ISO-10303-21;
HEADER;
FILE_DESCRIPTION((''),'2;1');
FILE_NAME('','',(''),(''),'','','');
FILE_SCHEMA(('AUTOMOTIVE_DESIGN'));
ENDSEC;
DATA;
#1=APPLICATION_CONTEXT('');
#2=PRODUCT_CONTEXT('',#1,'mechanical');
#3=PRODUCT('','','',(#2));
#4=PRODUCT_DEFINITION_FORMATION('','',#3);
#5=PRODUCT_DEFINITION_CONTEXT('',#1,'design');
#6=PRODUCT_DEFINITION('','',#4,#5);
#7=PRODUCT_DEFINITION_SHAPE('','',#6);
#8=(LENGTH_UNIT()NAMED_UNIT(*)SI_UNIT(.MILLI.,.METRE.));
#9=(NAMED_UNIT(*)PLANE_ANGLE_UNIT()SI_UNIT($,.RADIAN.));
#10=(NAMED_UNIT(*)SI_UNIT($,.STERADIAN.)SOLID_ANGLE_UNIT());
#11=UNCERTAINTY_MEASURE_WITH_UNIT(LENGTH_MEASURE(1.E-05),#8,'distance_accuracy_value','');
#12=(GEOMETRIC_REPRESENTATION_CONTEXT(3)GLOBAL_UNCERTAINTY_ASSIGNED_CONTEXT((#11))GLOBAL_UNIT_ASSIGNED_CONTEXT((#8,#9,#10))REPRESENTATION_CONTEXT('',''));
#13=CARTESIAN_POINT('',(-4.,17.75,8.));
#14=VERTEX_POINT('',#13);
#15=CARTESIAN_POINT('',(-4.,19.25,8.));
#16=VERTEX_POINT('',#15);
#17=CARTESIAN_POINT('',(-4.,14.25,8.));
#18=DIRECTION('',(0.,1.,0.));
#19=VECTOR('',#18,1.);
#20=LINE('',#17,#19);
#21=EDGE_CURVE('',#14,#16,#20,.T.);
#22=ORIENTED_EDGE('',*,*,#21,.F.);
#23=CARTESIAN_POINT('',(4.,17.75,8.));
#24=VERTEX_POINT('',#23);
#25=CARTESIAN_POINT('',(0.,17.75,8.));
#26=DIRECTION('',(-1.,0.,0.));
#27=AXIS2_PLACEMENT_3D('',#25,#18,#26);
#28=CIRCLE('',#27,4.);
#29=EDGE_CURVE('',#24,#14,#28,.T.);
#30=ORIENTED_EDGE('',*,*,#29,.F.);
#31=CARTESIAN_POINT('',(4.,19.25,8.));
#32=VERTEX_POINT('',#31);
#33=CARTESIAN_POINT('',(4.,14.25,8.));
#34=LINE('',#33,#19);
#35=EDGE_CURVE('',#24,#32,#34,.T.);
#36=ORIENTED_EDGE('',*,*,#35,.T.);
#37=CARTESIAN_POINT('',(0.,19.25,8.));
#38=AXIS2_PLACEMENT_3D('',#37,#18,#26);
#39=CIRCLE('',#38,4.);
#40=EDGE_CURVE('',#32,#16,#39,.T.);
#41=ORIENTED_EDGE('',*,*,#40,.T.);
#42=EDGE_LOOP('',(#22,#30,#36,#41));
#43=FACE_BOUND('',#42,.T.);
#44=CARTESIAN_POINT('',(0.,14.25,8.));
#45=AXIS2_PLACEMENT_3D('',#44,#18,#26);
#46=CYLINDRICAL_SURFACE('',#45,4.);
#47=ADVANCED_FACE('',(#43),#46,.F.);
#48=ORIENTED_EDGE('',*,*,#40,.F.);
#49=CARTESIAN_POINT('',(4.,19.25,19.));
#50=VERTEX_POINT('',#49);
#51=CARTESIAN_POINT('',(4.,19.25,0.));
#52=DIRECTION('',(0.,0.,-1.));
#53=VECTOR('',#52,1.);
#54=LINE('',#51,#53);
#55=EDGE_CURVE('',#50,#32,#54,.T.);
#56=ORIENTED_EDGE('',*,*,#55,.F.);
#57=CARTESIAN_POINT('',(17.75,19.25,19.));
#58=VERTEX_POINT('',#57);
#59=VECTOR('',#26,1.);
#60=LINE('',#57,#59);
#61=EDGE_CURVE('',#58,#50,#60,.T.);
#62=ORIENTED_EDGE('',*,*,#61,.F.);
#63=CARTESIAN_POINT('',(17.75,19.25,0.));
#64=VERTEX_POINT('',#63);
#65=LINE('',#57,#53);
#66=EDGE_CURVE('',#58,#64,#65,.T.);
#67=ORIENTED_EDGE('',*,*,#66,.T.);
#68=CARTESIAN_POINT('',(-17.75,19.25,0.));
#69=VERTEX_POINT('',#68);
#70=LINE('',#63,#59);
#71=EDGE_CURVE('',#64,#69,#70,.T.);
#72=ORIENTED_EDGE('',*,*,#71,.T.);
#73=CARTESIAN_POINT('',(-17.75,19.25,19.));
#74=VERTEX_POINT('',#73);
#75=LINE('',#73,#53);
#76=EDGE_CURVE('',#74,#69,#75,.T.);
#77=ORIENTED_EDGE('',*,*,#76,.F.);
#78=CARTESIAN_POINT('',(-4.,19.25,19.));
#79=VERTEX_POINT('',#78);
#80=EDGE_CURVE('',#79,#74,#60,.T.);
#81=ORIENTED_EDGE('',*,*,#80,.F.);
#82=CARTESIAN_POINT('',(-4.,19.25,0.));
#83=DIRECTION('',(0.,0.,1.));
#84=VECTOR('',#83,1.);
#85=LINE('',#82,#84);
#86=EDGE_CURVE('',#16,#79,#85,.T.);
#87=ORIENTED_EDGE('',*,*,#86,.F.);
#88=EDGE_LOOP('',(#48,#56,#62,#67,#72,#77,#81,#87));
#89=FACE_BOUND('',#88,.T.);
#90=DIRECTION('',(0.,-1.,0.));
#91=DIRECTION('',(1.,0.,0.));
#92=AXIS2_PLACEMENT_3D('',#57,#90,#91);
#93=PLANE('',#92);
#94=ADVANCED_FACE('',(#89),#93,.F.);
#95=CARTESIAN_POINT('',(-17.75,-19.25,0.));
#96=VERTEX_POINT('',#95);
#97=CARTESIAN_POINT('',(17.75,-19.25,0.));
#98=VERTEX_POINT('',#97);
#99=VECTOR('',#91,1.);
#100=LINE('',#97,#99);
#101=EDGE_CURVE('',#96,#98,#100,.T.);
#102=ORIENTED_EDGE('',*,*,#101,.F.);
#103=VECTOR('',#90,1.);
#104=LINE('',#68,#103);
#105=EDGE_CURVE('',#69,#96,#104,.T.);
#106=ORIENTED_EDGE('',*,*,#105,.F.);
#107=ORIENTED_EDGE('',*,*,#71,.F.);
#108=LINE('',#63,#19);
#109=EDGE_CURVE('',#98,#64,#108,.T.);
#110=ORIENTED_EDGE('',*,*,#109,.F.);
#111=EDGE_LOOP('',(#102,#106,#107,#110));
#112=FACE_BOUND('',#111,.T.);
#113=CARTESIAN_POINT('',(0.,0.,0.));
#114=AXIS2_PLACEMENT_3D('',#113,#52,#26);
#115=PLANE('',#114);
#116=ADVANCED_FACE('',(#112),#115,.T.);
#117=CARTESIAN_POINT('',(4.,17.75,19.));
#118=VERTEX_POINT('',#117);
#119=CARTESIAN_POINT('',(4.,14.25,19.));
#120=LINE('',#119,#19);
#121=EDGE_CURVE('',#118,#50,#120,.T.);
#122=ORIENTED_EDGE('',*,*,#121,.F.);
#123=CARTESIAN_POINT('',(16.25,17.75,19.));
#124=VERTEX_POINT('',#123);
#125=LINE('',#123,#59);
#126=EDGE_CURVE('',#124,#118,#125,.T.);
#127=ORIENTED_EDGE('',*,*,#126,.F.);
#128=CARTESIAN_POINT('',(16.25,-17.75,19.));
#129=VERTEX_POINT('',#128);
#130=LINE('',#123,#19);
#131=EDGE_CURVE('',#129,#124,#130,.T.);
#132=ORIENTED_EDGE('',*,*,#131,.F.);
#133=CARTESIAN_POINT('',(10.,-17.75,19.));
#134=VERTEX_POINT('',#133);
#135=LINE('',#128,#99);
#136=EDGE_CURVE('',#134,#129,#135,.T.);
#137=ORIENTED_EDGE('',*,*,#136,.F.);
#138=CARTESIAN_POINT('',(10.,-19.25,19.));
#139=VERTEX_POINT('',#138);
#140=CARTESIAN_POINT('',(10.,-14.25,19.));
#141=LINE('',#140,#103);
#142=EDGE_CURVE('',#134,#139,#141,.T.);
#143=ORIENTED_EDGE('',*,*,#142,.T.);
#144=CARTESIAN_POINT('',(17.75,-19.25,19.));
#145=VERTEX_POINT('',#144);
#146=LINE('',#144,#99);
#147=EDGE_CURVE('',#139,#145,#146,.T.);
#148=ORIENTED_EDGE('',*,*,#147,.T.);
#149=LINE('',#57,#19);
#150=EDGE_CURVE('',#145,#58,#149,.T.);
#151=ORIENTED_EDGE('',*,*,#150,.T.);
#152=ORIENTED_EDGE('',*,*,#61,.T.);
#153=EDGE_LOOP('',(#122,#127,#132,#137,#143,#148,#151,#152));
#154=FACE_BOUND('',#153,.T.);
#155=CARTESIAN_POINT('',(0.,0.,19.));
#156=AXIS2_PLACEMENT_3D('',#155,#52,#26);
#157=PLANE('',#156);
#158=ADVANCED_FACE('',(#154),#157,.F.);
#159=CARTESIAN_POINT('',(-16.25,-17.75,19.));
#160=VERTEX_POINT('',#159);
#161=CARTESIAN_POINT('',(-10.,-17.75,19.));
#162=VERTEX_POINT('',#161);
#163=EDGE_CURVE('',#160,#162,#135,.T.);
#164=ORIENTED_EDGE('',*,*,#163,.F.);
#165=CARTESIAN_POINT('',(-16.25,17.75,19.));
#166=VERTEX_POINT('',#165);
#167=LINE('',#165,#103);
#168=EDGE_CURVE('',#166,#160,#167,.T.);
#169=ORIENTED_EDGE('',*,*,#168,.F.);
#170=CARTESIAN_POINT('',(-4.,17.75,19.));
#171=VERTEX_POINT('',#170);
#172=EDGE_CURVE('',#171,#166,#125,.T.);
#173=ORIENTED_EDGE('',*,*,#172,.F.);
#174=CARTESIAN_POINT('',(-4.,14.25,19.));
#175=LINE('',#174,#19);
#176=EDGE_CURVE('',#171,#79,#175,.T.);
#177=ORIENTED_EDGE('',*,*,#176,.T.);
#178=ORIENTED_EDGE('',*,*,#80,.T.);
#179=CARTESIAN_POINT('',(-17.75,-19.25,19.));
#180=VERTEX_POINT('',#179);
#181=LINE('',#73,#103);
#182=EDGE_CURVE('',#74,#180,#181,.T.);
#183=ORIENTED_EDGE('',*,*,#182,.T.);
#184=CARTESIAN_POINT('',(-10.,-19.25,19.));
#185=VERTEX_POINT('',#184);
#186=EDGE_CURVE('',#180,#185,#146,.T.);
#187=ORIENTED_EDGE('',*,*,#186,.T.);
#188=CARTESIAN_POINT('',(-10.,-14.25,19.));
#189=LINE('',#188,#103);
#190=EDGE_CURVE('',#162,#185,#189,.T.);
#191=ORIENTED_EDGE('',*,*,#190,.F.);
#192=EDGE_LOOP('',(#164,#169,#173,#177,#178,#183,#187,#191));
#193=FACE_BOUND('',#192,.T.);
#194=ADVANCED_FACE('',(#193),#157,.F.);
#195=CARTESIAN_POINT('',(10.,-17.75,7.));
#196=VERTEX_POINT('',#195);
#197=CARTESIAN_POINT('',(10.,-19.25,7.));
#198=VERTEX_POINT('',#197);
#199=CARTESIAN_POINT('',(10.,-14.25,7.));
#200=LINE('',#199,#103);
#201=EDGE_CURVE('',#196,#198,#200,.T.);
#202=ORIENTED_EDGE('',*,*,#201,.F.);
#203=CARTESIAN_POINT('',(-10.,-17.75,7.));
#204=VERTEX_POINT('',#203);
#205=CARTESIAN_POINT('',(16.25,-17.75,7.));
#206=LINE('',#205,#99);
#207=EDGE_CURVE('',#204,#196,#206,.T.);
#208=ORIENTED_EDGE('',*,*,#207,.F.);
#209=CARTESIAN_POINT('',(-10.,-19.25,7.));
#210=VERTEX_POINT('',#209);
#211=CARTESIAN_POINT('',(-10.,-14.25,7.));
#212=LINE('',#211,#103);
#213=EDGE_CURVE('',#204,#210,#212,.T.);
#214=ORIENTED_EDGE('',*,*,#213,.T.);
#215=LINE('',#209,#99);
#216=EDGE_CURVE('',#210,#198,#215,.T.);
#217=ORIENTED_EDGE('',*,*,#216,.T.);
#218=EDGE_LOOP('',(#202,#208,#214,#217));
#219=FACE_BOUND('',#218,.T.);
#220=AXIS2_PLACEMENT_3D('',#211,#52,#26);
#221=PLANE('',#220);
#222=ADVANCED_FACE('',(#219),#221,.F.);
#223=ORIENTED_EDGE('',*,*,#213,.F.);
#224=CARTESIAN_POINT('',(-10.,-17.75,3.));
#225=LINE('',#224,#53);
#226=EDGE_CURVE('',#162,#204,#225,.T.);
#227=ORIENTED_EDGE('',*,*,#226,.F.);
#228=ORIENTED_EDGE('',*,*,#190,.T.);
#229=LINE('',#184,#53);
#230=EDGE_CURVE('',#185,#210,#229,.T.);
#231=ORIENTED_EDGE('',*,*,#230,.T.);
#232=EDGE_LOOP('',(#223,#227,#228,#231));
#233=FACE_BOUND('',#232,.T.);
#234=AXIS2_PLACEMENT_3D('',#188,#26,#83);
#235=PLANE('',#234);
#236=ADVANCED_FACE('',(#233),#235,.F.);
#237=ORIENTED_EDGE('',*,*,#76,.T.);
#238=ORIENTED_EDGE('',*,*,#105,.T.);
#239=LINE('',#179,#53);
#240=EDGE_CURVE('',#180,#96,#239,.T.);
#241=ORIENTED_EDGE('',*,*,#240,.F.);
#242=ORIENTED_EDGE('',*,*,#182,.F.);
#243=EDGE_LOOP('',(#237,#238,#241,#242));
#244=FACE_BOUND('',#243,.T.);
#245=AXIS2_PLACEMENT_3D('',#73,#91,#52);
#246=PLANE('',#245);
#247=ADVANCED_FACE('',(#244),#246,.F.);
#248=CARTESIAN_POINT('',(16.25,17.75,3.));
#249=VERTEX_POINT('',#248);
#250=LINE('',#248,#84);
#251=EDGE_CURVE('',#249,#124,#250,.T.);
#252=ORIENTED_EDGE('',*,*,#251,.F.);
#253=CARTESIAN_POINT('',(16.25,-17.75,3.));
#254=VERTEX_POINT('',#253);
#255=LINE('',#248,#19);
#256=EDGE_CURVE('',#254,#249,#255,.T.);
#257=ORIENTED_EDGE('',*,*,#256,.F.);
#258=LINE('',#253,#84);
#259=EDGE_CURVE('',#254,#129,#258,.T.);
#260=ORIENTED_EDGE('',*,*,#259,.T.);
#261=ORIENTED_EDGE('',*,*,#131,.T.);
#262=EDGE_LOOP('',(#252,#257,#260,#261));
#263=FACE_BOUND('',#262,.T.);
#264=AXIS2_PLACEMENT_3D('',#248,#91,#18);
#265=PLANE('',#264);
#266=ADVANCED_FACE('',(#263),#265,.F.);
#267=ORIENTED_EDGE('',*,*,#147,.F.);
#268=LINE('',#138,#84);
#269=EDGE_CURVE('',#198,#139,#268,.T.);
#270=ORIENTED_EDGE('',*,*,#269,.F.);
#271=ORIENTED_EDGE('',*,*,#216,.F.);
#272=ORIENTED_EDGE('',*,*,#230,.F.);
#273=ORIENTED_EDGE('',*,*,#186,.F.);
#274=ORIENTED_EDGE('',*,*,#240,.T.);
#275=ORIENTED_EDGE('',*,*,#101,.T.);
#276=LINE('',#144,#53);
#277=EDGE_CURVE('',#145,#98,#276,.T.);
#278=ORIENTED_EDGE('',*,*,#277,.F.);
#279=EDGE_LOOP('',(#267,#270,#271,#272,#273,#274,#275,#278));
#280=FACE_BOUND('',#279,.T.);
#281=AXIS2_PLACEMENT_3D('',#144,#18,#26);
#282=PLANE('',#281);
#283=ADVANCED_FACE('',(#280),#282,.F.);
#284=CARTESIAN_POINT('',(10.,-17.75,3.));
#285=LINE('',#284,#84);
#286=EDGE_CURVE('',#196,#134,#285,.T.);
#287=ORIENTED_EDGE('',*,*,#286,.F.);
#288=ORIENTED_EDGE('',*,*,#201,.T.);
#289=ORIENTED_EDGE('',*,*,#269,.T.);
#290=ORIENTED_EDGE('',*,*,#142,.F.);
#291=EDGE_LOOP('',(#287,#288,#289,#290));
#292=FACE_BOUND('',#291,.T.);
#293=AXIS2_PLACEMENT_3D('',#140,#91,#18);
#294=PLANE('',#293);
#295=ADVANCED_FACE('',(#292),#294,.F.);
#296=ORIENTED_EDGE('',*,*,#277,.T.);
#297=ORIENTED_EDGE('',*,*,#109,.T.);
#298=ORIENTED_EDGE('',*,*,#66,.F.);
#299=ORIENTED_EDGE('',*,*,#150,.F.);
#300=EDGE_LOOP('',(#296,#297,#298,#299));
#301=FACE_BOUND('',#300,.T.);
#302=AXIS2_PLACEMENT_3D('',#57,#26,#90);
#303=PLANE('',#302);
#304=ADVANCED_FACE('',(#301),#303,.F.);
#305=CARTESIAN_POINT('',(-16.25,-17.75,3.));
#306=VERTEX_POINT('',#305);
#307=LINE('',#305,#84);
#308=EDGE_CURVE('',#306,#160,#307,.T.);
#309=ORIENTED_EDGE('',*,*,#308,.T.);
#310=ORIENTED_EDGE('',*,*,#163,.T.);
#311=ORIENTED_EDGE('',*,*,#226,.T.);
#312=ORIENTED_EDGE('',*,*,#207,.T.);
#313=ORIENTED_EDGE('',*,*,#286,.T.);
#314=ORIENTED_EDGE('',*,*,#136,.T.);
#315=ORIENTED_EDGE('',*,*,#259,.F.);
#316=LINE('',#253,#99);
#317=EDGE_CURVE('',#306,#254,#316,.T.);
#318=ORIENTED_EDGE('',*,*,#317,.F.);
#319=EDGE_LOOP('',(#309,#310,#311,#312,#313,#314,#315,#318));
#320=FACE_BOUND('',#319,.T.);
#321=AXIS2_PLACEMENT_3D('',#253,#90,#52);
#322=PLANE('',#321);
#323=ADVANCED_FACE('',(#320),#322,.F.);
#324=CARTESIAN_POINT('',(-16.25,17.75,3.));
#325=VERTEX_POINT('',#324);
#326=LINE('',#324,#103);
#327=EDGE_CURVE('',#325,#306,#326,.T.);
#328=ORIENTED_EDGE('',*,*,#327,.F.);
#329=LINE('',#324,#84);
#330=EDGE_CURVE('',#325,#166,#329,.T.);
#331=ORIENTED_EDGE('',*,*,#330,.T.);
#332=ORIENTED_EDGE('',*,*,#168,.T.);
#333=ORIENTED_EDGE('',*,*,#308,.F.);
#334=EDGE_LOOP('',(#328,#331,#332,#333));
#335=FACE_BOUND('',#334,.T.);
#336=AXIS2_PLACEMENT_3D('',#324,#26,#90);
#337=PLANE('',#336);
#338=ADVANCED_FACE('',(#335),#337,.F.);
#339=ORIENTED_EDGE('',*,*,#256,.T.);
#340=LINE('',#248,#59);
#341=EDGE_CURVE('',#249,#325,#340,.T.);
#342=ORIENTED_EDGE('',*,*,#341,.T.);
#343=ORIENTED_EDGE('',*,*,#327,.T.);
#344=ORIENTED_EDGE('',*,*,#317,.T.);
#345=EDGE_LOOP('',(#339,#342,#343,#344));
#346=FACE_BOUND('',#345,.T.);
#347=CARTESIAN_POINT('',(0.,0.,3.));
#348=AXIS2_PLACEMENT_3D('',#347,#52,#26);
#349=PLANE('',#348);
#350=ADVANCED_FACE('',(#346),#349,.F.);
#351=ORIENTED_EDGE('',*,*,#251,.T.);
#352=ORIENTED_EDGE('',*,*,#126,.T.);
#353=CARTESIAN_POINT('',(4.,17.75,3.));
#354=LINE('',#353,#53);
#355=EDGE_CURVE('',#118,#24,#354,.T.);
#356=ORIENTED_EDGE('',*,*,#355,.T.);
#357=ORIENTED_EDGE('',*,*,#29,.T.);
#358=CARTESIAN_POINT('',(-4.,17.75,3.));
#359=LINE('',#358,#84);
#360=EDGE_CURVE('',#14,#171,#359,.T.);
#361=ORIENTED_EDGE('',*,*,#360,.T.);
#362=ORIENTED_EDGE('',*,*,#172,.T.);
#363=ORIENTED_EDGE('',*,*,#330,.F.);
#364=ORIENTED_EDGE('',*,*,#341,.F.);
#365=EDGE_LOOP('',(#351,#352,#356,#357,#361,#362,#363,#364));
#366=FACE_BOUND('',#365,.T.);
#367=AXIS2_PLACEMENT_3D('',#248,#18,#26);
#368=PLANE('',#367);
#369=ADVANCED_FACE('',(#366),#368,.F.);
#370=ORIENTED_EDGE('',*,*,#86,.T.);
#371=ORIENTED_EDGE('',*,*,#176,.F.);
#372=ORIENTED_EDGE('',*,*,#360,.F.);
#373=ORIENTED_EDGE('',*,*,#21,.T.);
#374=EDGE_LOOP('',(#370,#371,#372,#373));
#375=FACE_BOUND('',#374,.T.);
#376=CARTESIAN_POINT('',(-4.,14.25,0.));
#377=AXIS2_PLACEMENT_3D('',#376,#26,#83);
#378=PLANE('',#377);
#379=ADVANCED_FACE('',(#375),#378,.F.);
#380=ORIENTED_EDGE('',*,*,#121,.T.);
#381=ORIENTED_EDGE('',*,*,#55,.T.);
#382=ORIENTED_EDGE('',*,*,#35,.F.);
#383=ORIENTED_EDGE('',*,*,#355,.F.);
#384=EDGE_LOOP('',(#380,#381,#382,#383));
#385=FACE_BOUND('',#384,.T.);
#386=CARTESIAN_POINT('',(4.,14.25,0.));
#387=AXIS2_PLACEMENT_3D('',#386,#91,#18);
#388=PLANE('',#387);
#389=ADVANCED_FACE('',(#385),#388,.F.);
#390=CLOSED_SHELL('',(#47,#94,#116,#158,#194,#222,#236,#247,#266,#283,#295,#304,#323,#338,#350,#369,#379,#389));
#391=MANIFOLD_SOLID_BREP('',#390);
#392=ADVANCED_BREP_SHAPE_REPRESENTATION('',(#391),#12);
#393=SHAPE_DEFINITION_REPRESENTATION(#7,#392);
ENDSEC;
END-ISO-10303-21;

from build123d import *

# Parameters (mm, degrees)
ESQUISSE1_W             = 35.5
ESQUISSE1_H             = 38.5
BOSS_EXTRU_1_DEPTH      = 19
ESQUISSE3_W             = 32.5
ESQUISSE3_H             = 35.5
ENL_V_MAT_EXTRU_1_DEPTH = 16
ESQUISSE4_R             = 4
ENL_V_MAT_EXTRU_2_DEPTH = 5
ESQUISSE5_W             = 20
ESQUISSE5_H             = 12
ENL_V_MAT_EXTRU_3_DEPTH = 5


with BuildPart() as part:
    # Esquisse1 → Boss.-Extru.1 (new body)
    with BuildSketch(Plane.XY):
        Rectangle(ESQUISSE1_W, ESQUISSE1_H)
    extrude(amount=BOSS_EXTRU_1_DEPTH)

    # Esquisse3 → Enlèv. mat.-Extru.1 (cut)
    with BuildSketch(Plane.XY.offset(19)):
        Rectangle(ESQUISSE3_W, ESQUISSE3_H)
    extrude(amount=-ENL_V_MAT_EXTRU_1_DEPTH, mode=Mode.SUBTRACT)

    # Esquisse4 → Enlèv. mat.-Extru.2 (cut)
    with BuildSketch(Plane(origin=(0, 19.25, 0), x_dir=(1, 0, 0), z_dir=(0, 1, 0))):
        with BuildLine():
            ThreePointArc((4, -8), (0, -12), (-4, -8))
            Line((-4, -8), (-4, -19))
            Line((-4, -19), (4, -19))
            Line((4, -19), (4, -8))
        make_face()
        with Locations((0, -8)):
            Circle(ESQUISSE4_R)
    extrude(amount=-ENL_V_MAT_EXTRU_2_DEPTH, mode=Mode.SUBTRACT)

    # Esquisse5 → Enlèv. mat.-Extru.3 (cut)
    with BuildSketch(Plane.XZ.offset(19.25)):
        with Locations((0, 13)):
            Rectangle(ESQUISSE5_W, ESQUISSE5_H)
    extrude(amount=-ENL_V_MAT_EXTRU_3_DEPTH, mode=Mode.SUBTRACT)


solid = part.part
